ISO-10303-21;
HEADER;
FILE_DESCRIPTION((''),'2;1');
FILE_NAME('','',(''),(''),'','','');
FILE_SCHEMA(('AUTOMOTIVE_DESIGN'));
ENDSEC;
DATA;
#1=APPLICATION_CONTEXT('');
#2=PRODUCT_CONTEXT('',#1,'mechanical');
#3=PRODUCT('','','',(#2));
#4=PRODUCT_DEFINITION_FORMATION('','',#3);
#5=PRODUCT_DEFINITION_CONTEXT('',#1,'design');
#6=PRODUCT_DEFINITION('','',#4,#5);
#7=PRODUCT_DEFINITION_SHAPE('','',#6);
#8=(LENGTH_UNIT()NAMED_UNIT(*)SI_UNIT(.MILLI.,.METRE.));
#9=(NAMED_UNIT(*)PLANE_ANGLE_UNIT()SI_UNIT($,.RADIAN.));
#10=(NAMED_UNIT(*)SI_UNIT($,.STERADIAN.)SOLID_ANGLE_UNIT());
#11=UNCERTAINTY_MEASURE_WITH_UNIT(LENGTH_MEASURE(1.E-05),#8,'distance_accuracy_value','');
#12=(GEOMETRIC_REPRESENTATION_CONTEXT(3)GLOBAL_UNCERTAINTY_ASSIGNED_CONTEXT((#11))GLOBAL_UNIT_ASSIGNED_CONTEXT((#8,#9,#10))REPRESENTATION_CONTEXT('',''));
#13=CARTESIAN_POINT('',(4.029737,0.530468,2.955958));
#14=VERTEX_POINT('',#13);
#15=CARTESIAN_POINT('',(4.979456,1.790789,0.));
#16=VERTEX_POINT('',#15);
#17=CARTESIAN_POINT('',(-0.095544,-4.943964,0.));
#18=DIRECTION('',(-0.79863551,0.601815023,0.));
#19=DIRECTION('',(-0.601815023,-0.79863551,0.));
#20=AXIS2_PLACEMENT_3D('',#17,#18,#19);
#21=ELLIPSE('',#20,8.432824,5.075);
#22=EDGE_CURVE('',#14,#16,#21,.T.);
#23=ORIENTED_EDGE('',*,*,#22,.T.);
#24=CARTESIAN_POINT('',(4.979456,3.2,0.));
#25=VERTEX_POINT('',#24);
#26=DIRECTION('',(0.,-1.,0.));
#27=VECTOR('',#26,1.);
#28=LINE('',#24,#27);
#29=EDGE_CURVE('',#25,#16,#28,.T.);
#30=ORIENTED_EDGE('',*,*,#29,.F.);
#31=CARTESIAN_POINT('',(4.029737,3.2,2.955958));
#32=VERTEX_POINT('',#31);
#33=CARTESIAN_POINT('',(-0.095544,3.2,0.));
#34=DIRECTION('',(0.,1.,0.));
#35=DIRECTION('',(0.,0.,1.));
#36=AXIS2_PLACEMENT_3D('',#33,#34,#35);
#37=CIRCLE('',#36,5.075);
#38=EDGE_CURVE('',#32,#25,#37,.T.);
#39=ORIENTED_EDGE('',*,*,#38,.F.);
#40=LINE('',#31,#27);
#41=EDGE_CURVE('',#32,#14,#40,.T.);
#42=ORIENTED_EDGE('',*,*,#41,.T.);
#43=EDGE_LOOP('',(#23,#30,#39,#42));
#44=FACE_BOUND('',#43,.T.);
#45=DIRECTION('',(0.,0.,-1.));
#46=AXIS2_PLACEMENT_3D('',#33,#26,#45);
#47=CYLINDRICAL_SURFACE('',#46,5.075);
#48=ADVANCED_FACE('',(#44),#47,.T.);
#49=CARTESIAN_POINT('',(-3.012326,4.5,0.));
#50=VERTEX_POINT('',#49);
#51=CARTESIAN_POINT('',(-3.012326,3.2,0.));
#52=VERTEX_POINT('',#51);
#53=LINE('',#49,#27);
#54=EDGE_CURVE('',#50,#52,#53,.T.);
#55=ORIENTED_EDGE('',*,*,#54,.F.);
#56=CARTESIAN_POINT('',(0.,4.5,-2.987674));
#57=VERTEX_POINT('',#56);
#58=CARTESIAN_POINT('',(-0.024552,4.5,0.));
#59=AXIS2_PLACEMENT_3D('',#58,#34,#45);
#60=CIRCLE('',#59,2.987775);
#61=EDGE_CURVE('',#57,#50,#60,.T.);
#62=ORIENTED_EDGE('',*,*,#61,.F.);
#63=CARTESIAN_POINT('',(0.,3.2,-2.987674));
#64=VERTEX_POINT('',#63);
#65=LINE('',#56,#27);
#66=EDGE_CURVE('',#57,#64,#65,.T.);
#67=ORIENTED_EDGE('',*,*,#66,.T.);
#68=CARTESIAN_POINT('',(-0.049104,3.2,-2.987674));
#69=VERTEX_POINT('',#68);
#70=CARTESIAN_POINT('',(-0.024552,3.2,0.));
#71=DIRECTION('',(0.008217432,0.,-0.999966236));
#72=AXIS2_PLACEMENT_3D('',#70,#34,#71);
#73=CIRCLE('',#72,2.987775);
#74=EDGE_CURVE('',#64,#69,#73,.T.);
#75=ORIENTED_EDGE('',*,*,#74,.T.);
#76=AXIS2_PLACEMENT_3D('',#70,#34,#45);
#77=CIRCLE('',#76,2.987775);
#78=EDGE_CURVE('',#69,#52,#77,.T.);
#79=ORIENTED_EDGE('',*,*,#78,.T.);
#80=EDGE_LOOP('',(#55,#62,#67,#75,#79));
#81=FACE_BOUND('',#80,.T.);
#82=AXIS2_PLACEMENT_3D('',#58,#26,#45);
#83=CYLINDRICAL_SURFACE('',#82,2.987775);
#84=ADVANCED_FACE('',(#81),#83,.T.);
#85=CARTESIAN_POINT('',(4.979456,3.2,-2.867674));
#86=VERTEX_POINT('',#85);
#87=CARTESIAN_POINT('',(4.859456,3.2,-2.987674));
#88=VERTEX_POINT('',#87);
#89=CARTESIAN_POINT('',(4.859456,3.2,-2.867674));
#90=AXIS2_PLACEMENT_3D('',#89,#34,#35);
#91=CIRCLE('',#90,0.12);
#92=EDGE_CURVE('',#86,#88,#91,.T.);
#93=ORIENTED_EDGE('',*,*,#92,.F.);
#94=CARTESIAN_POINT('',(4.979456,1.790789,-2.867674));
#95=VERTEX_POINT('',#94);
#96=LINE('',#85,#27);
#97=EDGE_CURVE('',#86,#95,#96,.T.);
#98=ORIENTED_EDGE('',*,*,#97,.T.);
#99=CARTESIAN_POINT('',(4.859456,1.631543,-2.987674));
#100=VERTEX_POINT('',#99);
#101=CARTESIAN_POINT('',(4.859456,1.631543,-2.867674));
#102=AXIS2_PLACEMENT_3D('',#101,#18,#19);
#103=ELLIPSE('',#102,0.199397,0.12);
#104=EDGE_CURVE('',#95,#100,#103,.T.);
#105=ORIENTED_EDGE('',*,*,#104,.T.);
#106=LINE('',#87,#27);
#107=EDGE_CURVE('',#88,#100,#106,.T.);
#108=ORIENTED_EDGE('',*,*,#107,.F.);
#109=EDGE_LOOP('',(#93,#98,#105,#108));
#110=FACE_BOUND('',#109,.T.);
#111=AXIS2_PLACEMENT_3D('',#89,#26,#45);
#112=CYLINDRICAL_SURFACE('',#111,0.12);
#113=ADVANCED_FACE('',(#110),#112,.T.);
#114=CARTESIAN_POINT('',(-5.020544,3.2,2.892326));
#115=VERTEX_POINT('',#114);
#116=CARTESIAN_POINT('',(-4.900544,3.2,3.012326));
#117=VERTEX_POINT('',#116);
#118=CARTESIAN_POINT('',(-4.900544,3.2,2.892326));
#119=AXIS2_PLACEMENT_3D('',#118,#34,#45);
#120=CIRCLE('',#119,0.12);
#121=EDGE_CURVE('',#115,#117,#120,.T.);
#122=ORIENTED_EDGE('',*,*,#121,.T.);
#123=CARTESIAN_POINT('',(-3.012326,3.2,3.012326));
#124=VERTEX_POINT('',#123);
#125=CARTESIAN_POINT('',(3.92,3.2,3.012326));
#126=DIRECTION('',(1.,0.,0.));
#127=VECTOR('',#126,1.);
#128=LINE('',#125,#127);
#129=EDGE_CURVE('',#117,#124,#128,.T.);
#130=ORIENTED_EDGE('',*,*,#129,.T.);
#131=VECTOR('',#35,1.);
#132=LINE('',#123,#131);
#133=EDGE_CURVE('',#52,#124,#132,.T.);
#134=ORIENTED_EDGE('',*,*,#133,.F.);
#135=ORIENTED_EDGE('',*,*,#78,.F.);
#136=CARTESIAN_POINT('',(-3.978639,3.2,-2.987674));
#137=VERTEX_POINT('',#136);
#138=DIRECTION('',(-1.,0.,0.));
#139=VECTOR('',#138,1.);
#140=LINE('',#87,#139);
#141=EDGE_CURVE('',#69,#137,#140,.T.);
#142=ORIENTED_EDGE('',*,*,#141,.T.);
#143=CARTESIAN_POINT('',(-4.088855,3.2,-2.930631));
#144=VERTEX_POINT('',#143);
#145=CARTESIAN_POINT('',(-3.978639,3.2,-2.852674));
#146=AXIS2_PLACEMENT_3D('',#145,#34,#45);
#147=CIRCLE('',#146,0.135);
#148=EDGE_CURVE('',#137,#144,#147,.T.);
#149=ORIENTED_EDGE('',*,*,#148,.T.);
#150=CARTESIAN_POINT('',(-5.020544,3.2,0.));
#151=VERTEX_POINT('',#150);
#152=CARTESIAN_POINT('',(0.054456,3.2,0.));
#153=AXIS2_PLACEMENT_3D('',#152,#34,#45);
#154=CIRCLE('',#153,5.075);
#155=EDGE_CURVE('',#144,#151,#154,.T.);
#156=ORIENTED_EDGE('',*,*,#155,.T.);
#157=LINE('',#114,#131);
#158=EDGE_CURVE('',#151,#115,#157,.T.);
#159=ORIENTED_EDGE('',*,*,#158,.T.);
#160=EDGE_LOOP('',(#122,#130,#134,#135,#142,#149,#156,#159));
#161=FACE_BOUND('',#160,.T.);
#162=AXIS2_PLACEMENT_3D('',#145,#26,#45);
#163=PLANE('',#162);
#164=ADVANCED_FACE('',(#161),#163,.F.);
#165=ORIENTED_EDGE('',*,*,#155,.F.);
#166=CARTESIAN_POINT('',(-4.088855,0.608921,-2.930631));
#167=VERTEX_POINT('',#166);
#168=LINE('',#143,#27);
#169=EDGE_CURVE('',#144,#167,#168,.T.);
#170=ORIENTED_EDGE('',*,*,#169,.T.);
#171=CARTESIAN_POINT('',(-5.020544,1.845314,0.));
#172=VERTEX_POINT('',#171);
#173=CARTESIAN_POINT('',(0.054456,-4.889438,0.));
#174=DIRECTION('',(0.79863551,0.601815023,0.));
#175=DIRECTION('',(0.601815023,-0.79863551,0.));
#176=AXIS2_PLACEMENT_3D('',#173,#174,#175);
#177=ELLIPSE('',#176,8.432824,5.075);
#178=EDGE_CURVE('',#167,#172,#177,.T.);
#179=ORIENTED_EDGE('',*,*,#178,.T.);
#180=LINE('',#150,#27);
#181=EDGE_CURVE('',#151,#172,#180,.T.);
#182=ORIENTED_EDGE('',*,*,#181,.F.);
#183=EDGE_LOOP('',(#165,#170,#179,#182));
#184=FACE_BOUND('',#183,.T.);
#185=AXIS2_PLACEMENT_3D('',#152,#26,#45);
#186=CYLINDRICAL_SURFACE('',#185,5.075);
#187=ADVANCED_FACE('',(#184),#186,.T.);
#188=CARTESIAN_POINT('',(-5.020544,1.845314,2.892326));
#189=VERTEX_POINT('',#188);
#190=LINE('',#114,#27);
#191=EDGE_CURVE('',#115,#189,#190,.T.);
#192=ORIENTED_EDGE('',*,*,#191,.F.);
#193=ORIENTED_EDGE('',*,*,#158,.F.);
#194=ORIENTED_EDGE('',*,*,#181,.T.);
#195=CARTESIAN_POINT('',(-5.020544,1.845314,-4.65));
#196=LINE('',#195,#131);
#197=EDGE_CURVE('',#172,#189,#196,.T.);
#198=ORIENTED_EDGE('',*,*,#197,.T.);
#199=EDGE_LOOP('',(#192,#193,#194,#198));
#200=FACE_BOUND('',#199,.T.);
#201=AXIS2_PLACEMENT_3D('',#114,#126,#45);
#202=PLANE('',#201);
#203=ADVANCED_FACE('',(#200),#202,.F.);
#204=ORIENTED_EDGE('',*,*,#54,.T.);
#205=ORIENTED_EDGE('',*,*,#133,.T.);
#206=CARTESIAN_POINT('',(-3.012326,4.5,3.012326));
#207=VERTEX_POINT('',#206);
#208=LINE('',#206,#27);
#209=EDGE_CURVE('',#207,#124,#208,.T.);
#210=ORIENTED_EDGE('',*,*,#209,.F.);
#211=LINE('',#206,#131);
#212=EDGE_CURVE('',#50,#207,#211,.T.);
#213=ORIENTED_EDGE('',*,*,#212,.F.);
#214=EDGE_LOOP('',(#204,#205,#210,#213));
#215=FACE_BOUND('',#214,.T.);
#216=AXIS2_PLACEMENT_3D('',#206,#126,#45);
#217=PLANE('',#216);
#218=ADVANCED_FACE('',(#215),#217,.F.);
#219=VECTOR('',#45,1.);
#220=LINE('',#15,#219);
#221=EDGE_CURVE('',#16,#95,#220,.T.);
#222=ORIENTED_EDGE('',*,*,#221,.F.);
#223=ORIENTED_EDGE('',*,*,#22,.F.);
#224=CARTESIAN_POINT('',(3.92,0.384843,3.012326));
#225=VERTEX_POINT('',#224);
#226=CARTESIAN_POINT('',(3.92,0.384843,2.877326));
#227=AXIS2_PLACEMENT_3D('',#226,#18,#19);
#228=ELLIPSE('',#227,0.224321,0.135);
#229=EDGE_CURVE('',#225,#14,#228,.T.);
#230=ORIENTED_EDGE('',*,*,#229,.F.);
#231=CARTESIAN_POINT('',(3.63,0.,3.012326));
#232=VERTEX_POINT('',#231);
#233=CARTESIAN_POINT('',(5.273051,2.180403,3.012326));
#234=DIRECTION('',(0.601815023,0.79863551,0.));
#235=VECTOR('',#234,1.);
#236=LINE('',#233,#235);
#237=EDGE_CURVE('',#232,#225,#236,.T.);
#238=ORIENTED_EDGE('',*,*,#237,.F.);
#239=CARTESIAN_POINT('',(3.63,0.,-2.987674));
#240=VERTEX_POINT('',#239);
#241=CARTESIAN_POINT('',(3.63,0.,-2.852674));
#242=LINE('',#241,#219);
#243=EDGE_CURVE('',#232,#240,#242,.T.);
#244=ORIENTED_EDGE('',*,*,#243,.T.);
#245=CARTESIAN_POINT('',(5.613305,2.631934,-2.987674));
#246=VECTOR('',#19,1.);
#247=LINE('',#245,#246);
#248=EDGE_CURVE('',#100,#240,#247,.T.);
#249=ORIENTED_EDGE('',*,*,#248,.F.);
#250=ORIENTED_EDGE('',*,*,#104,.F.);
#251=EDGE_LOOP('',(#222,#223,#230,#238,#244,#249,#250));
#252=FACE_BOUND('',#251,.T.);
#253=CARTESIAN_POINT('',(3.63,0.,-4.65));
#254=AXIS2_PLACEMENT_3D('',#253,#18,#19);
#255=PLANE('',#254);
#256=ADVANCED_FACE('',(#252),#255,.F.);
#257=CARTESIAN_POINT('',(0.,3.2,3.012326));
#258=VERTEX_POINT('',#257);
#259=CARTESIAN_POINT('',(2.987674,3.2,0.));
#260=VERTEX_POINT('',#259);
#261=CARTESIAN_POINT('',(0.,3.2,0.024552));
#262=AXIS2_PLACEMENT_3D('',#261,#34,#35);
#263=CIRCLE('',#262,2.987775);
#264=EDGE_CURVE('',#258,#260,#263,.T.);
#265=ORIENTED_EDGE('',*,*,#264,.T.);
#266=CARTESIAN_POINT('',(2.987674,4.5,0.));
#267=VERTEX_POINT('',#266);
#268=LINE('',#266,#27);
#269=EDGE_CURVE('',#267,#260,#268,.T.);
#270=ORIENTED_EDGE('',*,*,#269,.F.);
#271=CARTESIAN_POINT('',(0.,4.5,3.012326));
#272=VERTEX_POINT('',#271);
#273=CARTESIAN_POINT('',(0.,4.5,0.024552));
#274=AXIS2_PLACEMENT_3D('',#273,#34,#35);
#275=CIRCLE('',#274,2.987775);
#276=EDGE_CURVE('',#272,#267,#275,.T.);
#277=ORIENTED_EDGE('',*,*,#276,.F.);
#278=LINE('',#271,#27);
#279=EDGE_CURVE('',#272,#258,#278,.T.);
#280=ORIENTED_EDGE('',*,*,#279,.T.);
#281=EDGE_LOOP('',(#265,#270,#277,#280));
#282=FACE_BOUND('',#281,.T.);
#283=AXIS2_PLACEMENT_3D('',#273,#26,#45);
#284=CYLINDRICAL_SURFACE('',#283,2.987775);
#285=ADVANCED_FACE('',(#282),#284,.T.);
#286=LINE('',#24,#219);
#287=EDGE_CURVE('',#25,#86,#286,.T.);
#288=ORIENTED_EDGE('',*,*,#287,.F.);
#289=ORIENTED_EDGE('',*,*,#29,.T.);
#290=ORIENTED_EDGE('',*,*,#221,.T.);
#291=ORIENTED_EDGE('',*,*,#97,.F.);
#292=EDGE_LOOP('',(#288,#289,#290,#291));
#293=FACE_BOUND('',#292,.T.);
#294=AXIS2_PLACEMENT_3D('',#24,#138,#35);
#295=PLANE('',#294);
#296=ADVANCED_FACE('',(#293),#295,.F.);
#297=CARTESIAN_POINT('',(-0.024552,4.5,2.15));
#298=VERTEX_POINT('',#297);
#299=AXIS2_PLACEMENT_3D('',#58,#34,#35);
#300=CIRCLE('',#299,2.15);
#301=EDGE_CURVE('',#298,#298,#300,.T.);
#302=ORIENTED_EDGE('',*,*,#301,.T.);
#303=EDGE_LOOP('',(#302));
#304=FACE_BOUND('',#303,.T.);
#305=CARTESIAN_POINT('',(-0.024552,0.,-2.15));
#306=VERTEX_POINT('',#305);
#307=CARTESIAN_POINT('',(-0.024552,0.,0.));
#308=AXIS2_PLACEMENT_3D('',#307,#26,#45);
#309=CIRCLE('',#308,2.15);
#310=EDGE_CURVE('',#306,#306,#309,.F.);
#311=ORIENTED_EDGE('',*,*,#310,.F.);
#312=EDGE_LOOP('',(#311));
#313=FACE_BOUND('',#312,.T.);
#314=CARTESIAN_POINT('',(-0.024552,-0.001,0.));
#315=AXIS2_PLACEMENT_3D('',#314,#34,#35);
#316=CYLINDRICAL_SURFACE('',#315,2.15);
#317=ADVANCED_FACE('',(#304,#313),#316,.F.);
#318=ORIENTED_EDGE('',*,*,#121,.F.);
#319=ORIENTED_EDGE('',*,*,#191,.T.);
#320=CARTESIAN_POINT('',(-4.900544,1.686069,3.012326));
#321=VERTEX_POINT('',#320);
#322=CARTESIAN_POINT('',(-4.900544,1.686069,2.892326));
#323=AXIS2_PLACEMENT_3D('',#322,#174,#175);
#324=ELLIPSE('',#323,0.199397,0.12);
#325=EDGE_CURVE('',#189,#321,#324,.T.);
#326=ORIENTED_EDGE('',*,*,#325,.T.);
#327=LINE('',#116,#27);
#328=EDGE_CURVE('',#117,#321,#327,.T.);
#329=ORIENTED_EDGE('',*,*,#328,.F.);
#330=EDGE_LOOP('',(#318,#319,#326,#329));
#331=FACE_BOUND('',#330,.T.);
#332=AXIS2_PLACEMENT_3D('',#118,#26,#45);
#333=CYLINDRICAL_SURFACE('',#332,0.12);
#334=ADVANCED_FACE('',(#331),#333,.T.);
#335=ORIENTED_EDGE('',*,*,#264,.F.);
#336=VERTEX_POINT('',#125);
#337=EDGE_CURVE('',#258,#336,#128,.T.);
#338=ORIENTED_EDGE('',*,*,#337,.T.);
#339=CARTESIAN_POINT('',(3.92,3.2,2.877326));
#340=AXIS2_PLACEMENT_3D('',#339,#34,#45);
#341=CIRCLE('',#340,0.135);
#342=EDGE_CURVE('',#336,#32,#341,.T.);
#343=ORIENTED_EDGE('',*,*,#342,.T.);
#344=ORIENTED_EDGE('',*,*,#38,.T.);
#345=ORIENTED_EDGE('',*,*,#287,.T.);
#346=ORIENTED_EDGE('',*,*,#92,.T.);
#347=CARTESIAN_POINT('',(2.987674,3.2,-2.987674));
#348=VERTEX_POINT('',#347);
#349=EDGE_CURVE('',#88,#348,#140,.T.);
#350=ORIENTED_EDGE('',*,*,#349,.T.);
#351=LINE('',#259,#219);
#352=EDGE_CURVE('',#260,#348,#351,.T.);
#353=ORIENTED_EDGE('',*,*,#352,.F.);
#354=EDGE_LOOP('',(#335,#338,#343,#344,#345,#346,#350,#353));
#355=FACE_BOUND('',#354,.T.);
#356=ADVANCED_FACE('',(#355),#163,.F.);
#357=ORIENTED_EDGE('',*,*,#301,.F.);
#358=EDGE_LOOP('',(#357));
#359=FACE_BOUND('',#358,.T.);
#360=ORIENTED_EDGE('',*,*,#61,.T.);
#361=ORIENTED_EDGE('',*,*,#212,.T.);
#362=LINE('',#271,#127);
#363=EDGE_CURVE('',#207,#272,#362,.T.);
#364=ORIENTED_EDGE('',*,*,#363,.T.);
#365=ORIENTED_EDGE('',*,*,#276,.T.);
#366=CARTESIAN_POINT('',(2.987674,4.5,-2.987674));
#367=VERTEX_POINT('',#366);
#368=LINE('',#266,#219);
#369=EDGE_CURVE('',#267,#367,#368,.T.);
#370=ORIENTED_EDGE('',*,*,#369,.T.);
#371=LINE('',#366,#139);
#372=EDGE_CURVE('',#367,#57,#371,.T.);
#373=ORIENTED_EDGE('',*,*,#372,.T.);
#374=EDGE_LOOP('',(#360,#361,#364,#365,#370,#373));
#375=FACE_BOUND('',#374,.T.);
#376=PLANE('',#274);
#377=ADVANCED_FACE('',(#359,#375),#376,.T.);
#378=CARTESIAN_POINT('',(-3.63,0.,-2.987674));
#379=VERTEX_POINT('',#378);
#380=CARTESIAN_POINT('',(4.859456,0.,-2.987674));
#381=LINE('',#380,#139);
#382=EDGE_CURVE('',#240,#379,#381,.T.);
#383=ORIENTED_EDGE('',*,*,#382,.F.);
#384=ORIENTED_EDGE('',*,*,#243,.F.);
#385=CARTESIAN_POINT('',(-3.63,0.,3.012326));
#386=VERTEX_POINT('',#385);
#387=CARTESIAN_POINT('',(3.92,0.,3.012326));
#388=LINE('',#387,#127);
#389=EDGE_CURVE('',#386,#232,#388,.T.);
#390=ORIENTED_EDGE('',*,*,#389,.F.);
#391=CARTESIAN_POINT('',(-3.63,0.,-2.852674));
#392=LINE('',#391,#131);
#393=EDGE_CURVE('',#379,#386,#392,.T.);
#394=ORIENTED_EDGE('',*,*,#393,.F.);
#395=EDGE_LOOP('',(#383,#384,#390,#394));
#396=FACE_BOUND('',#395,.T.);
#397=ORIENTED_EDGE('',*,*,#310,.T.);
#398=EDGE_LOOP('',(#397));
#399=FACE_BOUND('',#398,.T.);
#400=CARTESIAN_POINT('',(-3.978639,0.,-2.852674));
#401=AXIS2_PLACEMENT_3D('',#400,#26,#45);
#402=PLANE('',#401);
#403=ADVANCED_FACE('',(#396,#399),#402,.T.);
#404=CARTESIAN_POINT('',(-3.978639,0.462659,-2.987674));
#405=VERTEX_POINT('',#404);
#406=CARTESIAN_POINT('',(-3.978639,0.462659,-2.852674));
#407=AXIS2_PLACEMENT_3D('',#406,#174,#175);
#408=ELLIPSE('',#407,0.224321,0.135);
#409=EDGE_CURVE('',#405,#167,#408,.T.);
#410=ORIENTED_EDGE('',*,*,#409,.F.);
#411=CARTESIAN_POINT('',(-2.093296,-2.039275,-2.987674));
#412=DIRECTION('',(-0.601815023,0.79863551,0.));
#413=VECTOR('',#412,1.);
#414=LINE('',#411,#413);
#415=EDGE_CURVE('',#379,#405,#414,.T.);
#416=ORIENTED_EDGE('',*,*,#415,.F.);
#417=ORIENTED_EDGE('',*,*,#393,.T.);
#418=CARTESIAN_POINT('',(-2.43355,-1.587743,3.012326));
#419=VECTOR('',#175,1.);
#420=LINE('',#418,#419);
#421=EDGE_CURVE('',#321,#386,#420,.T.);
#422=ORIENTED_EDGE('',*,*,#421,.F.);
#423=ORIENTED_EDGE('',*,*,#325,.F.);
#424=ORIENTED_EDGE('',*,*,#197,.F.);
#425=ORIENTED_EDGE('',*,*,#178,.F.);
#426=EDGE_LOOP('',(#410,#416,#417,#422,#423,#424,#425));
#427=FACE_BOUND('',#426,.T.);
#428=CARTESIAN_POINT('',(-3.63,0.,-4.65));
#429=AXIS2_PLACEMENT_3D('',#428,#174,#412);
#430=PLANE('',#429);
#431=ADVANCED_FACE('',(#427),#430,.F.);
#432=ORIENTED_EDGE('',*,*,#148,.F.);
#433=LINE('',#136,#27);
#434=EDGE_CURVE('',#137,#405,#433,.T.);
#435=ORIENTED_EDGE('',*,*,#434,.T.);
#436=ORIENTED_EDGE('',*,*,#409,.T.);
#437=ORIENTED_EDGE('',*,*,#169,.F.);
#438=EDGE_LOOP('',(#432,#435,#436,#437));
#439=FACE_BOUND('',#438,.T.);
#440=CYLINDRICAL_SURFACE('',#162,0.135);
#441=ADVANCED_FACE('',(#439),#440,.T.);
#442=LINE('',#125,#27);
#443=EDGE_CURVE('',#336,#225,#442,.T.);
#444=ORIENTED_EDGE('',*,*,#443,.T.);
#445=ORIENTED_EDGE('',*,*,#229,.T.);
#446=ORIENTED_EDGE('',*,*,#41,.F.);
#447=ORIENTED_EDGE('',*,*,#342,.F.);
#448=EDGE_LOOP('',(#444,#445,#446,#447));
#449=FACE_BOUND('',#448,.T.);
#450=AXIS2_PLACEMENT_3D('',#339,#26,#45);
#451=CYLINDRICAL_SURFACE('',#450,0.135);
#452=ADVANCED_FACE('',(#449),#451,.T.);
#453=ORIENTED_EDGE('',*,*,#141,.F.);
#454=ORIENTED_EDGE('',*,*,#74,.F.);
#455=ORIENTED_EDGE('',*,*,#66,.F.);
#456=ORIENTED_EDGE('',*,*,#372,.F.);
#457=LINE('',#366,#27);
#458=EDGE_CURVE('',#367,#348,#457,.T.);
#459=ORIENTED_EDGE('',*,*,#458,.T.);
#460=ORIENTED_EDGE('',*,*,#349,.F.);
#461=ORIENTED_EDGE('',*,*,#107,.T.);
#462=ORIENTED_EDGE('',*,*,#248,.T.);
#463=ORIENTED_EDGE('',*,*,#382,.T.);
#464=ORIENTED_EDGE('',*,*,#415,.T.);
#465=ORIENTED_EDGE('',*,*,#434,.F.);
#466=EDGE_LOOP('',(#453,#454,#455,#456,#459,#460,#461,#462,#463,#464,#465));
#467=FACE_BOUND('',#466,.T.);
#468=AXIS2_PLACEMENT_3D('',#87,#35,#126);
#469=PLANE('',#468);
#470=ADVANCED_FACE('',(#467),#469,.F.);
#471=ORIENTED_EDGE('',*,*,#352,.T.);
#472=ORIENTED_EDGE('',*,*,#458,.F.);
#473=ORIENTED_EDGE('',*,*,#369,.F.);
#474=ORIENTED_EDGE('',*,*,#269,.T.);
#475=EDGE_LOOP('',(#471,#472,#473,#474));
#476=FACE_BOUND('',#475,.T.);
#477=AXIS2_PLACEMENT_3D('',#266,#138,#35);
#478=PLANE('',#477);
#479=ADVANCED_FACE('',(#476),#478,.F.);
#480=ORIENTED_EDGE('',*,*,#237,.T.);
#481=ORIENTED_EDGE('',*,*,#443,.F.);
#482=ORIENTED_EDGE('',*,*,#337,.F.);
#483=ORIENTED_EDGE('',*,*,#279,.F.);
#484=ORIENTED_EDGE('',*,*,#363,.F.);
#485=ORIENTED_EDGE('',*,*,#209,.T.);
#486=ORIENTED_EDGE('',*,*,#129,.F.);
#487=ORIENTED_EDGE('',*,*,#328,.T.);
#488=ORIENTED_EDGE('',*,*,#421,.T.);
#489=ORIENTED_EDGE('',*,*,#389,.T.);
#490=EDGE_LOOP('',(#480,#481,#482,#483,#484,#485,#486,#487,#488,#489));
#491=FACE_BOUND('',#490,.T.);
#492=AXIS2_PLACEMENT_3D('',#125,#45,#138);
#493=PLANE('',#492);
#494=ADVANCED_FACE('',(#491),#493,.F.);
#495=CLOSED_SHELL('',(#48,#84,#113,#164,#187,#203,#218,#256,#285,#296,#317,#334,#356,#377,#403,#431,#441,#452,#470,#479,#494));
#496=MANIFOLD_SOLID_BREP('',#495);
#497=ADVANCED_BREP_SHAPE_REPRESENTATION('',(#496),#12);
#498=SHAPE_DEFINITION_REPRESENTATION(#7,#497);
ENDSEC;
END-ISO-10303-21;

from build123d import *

# Parameters (mm, degrees)
EXTRUDE_1_DEPTH     = 3.2
EXTRUDE_2_DEPTH     = 1.3
CUT_EXTRUDE_1_DEPTH = 4.65
CUT_EXTRUDE_2_REACH = 9.384
SKETCH_4_R          = 2.15


with BuildPart() as part:
    # 草图1 → 凸台-拉伸1 (new body)
    with BuildSketch(Plane(origin=(0, 0, 0), x_dir=(1, 0, 0), z_dir=(0, 1, 0))):
        with BuildLine():
            Line((3.92, -3.012326357), (-4.900543928, -3.012326357))
            ThreePointArc((-4.900543928, -3.012326357), (-4.985396742, -2.97717917), (-5.020543928, -2.892326357))
            Line((-5.020543928, -2.892326357), (-5.020543928, 0))
            ThreePointArc((-5.020543928, 0), (-4.782016181, 1.53758289), (-4.088854807, 2.930631324))
            ThreePointArc((-4.088854807, 2.930631324), (-4.040689897, 2.972567944), (-3.978638656, 2.987673643))
            Line((-3.978638656, 2.987673643), (4.859456072, 2.987673643))
            ThreePointArc((4.859456072, 2.987673643), (4.944308886, 2.952526457), (4.979456072, 2.867673643))
            Line((4.979456072, 2.867673643), (4.979456072, 0))
            ThreePointArc((4.979456072, 0), (4.736196095, -1.552389562), (4.029736524, -2.955957745))
            ThreePointArc((4.029736524, -2.955957745), (3.98168372, -2.997410155), (3.92, -3.012326357))
        make_face()
    extrude(amount=EXTRUDE_1_DEPTH)

    # 草图2 → 凸台-拉伸2 (add)
    with BuildSketch(Plane(origin=(0, 3.2, 0), x_dir=(1, 0, 0), z_dir=(0, 1, 0))):
        with BuildLine():
            Line((0, -3.012326357), (-3.012326357, -3.012326357))
            Line((-3.012326357, -3.012326357), (-3.012326357, 0))
            ThreePointArc((-3.012326357, 0), (-2.128529169, 2.12133825), (0, 2.987673643))
            Line((0, 2.987673643), (2.987673643, 2.987673643))
            Line((2.987673643, 2.987673643), (2.987673643, 0))
            ThreePointArc((2.987673643, 0), (2.12133825, -2.128529169), (0, -3.012326357))
        make_face()
    extrude(amount=EXTRUDE_2_DEPTH)

    # 草图3 → 切除-拉伸1 (cut, symmetric)
    with BuildSketch(Plane.XY):
        Polygon((5.020543928, 0), (3.63, 0), (5.020543928, 1.845314119), align=None)
        Polygon((-3.63, 0), (-5.020543928, 1.845314119), (-5.020543928, 0), align=None)
    extrude(amount=CUT_EXTRUDE_1_DEPTH, both=True, mode=Mode.SUBTRACT)

    # 草图4 → 切除-拉伸2 (cut, up to next)
    with BuildSketch(Plane(origin=(0, 4.5, 0), x_dir=(1, 0, 0), z_dir=(0, 1, 0)), mode=Mode.PRIVATE) as cut_extrude_2_sk1:
        with Locations(Location((-0.024551835, 0, 0), (0, 0, 270))):
            Circle(SKETCH_4_R)
    cut_extrude_2_tool1 = extrude(cut_extrude_2_sk1.sketch, amount=-CUT_EXTRUDE_2_REACH, mode=Mode.PRIVATE) & part.part
    add(cut_extrude_2_tool1.solids().sort_by_distance((-0.024552, 4.5, 0))[0], mode=Mode.SUBTRACT)


solid = part.part
